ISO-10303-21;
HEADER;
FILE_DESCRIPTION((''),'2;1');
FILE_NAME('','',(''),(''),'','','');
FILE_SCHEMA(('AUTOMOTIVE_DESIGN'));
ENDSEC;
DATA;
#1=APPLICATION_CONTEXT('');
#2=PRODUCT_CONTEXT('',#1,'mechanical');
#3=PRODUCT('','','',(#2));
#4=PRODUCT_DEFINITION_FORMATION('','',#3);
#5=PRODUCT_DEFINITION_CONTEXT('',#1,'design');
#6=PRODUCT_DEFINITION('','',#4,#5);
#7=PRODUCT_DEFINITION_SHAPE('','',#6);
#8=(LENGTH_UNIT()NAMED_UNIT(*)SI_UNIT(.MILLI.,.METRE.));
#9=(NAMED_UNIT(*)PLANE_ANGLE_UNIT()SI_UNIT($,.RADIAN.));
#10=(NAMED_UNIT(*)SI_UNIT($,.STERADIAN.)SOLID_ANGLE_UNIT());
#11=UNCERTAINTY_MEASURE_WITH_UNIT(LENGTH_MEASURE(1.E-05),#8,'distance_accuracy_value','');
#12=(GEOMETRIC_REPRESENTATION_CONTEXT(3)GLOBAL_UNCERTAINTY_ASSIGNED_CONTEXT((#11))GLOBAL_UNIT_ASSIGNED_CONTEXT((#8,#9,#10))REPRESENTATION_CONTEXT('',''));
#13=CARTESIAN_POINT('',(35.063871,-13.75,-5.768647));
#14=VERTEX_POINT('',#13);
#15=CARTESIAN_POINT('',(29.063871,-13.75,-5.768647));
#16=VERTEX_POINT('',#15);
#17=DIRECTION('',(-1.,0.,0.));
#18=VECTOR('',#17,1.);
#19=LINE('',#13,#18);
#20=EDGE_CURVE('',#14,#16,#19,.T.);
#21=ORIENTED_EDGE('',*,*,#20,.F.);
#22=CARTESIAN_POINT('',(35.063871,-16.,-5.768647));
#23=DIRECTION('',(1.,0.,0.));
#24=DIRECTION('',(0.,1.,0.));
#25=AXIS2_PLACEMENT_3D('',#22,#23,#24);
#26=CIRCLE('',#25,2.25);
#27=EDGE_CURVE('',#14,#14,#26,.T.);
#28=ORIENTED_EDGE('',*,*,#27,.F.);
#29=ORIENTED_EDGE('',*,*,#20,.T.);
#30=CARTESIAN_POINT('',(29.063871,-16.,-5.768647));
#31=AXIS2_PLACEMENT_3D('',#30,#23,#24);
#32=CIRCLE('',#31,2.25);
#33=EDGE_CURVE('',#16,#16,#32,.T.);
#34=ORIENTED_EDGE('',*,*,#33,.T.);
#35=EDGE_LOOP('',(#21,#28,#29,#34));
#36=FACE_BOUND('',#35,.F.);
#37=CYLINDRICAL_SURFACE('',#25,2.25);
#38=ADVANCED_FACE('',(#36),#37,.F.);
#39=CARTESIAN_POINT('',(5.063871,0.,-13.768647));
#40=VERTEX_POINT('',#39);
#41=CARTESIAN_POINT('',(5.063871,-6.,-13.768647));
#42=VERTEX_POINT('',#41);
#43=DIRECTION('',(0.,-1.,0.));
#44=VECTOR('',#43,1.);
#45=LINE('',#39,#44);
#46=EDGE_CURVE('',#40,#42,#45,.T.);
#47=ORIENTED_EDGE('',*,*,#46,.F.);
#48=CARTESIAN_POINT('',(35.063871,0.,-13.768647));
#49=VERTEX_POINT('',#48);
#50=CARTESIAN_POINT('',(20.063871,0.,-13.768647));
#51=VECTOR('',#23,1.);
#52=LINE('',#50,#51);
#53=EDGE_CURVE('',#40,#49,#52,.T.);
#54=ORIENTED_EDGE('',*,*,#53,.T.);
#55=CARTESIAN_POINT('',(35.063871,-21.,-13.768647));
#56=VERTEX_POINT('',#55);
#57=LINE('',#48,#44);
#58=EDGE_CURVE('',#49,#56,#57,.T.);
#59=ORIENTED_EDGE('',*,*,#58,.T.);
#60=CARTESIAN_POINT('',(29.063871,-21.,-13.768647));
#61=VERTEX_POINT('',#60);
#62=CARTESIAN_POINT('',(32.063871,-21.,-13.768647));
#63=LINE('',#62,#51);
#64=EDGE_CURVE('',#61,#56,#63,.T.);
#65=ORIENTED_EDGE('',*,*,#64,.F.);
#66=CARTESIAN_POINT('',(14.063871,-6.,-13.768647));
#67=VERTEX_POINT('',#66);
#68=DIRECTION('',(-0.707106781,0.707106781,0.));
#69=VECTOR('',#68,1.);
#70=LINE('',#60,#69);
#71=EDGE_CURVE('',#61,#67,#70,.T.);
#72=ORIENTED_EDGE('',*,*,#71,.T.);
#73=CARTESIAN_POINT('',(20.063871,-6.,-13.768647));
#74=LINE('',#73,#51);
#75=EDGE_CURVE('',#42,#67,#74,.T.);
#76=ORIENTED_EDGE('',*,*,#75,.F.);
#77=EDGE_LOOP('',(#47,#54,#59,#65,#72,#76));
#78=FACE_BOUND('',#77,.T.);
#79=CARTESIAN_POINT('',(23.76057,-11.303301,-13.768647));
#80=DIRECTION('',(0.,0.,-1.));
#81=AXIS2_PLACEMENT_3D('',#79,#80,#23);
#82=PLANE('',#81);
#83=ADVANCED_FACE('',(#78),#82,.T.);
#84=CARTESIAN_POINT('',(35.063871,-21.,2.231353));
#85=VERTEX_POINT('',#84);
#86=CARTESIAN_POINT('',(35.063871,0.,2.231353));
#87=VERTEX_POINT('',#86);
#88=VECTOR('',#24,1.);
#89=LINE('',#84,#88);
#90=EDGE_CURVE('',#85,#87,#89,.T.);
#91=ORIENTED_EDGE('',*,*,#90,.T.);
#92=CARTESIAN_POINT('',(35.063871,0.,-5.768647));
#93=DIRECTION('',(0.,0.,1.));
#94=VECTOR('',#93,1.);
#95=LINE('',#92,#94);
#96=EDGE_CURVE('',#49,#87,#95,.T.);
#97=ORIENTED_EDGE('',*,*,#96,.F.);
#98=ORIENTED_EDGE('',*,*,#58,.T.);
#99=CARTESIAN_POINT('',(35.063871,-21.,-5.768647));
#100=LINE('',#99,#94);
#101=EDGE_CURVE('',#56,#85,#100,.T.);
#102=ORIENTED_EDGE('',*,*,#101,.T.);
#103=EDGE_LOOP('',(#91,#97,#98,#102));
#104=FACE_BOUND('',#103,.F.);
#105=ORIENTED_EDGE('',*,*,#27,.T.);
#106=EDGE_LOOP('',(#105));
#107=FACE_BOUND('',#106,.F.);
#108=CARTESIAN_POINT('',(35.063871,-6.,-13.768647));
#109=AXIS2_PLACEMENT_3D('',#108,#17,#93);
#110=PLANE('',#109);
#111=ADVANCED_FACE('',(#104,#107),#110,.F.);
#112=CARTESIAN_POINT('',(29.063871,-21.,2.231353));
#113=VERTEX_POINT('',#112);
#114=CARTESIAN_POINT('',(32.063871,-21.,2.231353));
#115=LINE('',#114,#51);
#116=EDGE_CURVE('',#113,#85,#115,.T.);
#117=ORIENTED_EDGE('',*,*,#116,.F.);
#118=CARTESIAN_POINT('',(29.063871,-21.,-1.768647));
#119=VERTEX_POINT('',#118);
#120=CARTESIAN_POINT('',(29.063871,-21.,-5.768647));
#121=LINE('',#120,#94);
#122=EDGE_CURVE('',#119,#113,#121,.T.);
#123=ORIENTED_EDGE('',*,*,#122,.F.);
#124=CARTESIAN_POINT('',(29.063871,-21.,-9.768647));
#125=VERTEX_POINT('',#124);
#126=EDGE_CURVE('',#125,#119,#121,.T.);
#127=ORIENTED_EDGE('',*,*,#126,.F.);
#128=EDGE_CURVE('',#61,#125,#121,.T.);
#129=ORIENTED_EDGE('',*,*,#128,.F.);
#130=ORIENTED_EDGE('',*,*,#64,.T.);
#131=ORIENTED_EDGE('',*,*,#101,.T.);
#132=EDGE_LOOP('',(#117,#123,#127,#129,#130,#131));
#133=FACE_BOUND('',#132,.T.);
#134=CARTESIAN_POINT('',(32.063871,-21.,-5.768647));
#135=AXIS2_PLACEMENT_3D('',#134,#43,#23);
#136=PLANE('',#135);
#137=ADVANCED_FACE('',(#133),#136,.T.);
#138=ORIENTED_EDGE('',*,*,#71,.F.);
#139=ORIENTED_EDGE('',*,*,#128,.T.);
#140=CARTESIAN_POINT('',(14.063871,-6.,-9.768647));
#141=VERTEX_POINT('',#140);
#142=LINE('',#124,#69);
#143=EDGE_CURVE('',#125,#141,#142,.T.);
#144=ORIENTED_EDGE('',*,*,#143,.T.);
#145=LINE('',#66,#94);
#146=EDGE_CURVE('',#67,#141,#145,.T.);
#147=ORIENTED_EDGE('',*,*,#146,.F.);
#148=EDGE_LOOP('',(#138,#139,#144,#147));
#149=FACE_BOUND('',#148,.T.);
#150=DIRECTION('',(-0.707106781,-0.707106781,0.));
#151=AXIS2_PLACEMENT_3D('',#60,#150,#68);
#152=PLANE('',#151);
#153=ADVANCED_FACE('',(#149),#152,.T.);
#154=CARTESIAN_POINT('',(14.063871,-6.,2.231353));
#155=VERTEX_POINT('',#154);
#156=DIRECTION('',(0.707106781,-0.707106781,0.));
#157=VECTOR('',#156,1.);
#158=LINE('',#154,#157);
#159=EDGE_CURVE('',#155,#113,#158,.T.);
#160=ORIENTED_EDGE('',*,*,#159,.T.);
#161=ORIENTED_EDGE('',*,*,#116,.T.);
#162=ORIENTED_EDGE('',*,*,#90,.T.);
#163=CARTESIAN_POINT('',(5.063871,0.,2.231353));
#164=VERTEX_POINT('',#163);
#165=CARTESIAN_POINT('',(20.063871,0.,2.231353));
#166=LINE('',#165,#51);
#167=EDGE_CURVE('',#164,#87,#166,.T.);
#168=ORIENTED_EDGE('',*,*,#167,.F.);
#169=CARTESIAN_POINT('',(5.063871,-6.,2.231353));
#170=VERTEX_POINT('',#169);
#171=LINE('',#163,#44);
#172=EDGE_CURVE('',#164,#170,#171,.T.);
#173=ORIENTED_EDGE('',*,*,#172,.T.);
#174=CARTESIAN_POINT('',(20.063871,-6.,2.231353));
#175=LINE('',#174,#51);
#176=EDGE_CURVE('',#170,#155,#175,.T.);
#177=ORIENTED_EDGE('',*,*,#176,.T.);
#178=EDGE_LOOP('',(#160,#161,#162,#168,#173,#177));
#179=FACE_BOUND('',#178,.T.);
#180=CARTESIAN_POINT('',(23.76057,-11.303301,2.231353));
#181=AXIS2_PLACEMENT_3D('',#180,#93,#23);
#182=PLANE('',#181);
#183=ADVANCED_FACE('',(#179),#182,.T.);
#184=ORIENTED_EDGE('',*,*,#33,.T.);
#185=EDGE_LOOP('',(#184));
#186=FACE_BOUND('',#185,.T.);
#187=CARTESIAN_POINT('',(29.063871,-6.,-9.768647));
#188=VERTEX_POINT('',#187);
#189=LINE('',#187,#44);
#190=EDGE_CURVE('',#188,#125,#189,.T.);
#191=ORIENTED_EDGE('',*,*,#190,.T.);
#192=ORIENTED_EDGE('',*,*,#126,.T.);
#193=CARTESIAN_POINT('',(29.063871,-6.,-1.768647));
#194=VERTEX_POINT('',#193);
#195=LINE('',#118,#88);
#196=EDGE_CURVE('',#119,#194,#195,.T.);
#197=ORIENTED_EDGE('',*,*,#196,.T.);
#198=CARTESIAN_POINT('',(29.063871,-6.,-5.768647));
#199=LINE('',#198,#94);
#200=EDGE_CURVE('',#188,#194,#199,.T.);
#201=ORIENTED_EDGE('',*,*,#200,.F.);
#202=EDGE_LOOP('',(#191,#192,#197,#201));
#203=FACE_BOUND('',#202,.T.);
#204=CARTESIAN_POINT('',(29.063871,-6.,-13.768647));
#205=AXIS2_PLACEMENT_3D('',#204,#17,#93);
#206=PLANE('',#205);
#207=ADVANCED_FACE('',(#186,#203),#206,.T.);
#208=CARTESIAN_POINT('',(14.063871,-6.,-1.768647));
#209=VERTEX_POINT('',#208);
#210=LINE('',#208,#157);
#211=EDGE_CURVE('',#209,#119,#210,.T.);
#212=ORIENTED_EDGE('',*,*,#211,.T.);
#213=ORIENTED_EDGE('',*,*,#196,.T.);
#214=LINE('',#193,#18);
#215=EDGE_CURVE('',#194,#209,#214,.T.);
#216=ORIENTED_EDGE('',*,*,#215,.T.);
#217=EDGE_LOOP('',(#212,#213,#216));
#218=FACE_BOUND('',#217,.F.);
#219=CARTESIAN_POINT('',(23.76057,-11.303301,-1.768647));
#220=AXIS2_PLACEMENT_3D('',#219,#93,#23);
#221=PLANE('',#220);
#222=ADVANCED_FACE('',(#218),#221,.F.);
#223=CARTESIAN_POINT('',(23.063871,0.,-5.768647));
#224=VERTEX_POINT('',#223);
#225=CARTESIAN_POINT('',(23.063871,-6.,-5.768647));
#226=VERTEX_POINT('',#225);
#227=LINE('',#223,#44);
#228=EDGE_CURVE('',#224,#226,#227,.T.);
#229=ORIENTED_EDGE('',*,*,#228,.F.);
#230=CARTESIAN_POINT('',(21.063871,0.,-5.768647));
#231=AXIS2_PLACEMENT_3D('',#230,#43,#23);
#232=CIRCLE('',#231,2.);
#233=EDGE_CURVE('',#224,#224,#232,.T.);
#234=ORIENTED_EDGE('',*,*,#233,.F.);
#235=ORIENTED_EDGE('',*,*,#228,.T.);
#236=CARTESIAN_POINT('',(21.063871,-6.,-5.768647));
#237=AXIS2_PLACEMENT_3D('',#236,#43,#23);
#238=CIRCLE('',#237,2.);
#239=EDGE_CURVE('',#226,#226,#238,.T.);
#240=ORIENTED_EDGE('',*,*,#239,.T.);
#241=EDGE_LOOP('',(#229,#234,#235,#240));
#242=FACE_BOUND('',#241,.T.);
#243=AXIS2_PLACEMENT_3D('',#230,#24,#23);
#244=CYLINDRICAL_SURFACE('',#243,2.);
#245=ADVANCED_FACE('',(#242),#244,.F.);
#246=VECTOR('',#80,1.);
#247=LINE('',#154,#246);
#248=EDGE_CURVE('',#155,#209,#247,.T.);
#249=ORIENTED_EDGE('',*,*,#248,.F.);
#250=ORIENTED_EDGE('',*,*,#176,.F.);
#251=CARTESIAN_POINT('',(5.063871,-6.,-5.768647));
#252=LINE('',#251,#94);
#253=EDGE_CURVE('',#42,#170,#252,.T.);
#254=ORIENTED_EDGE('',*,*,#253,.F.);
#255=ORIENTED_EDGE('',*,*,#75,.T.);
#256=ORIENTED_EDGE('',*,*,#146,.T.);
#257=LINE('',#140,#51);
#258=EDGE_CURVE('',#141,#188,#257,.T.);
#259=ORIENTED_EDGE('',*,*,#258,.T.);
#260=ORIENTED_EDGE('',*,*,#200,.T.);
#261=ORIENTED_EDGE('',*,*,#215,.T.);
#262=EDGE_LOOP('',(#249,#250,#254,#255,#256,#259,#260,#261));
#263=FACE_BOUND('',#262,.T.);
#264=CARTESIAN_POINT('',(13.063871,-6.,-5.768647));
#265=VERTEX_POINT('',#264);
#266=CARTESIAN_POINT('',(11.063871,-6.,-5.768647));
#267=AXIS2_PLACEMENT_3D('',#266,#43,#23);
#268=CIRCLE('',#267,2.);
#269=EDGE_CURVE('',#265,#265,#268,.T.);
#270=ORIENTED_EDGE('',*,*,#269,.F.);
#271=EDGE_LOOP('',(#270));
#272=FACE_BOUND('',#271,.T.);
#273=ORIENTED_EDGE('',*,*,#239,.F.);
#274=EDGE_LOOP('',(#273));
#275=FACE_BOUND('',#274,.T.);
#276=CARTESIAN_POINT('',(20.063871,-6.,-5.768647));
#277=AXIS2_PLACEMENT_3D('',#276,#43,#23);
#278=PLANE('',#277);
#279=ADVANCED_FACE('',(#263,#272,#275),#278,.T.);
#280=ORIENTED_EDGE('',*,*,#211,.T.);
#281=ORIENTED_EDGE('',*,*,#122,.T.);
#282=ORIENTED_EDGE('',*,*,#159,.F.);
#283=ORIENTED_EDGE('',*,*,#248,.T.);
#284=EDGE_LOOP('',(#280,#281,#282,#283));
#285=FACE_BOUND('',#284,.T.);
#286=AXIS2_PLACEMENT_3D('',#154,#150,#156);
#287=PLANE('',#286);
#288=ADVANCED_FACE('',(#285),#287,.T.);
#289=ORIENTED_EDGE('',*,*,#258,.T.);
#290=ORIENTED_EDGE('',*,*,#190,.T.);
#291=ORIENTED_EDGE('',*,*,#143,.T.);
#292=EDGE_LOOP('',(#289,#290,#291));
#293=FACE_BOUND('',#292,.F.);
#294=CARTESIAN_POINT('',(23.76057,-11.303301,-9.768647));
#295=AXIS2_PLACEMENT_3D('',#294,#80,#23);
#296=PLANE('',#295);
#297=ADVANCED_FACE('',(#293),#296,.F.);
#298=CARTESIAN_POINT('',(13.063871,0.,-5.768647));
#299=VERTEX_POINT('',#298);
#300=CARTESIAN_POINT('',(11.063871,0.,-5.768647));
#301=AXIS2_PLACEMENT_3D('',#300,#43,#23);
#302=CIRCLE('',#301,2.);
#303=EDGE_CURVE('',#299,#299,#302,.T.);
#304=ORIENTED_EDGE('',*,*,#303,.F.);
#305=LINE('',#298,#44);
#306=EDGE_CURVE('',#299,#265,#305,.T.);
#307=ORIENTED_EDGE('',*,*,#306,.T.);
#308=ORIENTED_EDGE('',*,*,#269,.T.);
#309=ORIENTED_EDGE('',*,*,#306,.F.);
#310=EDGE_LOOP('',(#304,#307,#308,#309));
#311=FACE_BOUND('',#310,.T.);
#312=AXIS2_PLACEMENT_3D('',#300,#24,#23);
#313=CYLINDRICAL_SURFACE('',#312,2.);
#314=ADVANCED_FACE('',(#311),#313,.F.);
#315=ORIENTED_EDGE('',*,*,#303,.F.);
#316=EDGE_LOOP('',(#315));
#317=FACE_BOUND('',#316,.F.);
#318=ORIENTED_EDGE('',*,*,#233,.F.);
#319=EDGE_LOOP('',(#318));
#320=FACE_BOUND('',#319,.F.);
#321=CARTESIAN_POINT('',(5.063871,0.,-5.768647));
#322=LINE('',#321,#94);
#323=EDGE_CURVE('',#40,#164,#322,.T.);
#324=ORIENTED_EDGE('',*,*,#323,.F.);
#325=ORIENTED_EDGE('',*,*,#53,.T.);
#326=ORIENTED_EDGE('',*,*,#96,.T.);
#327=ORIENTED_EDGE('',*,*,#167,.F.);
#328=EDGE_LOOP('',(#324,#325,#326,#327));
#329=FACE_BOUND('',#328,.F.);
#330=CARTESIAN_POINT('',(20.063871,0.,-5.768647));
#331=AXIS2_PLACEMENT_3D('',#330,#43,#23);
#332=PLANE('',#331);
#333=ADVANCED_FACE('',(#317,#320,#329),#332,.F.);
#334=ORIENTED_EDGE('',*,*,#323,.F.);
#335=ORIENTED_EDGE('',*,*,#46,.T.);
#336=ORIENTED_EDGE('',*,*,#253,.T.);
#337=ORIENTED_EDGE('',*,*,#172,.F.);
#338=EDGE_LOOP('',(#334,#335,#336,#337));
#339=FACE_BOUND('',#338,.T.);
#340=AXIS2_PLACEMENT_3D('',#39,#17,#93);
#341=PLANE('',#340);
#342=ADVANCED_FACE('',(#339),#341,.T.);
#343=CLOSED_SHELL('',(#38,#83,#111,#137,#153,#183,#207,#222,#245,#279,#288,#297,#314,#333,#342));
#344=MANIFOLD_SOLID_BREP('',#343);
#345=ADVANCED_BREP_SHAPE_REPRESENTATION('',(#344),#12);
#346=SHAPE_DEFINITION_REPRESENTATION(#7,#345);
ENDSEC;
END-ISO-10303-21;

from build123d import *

# Parameters (mm, degrees)
F0_W     = 30
F0_H     = 16
F0_R     = 2
F1_DEPTH = 6
F2_W     = 6
F2_H     = 16
F3_DEPTH = 15
F5_DEPTH = 4
F7_DEPTH = 4
F8_R     = 2.25
F9_DEPTH = 25


with BuildPart() as f1:
    # F0 (on Front) → F1 (new body)
    with BuildSketch(Plane.XZ):
        with Locations((20.063871, -5.768647)):
            Rectangle(F0_W, F0_H)
        with Locations((11.063871, -5.768647)):
            Circle(F0_R, mode=Mode.SUBTRACT)
        with Locations((21.063871, -5.768647)):
            Circle(F0_R, mode=Mode.SUBTRACT)
    extrude(amount=F1_DEPTH)

    # F2 (on face) → F3 (join)
    with BuildSketch(Plane.XZ.offset(6)):
        with Locations((32.063871, -5.768647)):
            Rectangle(F2_W, F2_H)
    extrude(amount=F3_DEPTH)

    # F4 (on face) → F5 (join)
    with BuildSketch(Plane(origin=(0, 0, -13.768647), x_dir=(1, 0, 0), z_dir=(0, 0, -1))):
        Polygon((29.063871, 21), (14.063871, 6), (29.063871, 6), align=None)
    extrude(amount=-F5_DEPTH)

    # F6 (on face) → F7 (join)
    with BuildSketch(Plane.XY.offset(2.231353)):
        Polygon((29.063871, -21), (29.063871, -6), (14.063871, -6), align=None)
    extrude(amount=-F7_DEPTH)

    # F8 (on face) → F9 (cut)
    with BuildSketch(Plane.YZ.offset(35.063871)):
        with Locations((-16, -5.768647)):
            Circle(F8_R)
    extrude(amount=-F9_DEPTH, mode=Mode.SUBTRACT)


solid = f1.part
